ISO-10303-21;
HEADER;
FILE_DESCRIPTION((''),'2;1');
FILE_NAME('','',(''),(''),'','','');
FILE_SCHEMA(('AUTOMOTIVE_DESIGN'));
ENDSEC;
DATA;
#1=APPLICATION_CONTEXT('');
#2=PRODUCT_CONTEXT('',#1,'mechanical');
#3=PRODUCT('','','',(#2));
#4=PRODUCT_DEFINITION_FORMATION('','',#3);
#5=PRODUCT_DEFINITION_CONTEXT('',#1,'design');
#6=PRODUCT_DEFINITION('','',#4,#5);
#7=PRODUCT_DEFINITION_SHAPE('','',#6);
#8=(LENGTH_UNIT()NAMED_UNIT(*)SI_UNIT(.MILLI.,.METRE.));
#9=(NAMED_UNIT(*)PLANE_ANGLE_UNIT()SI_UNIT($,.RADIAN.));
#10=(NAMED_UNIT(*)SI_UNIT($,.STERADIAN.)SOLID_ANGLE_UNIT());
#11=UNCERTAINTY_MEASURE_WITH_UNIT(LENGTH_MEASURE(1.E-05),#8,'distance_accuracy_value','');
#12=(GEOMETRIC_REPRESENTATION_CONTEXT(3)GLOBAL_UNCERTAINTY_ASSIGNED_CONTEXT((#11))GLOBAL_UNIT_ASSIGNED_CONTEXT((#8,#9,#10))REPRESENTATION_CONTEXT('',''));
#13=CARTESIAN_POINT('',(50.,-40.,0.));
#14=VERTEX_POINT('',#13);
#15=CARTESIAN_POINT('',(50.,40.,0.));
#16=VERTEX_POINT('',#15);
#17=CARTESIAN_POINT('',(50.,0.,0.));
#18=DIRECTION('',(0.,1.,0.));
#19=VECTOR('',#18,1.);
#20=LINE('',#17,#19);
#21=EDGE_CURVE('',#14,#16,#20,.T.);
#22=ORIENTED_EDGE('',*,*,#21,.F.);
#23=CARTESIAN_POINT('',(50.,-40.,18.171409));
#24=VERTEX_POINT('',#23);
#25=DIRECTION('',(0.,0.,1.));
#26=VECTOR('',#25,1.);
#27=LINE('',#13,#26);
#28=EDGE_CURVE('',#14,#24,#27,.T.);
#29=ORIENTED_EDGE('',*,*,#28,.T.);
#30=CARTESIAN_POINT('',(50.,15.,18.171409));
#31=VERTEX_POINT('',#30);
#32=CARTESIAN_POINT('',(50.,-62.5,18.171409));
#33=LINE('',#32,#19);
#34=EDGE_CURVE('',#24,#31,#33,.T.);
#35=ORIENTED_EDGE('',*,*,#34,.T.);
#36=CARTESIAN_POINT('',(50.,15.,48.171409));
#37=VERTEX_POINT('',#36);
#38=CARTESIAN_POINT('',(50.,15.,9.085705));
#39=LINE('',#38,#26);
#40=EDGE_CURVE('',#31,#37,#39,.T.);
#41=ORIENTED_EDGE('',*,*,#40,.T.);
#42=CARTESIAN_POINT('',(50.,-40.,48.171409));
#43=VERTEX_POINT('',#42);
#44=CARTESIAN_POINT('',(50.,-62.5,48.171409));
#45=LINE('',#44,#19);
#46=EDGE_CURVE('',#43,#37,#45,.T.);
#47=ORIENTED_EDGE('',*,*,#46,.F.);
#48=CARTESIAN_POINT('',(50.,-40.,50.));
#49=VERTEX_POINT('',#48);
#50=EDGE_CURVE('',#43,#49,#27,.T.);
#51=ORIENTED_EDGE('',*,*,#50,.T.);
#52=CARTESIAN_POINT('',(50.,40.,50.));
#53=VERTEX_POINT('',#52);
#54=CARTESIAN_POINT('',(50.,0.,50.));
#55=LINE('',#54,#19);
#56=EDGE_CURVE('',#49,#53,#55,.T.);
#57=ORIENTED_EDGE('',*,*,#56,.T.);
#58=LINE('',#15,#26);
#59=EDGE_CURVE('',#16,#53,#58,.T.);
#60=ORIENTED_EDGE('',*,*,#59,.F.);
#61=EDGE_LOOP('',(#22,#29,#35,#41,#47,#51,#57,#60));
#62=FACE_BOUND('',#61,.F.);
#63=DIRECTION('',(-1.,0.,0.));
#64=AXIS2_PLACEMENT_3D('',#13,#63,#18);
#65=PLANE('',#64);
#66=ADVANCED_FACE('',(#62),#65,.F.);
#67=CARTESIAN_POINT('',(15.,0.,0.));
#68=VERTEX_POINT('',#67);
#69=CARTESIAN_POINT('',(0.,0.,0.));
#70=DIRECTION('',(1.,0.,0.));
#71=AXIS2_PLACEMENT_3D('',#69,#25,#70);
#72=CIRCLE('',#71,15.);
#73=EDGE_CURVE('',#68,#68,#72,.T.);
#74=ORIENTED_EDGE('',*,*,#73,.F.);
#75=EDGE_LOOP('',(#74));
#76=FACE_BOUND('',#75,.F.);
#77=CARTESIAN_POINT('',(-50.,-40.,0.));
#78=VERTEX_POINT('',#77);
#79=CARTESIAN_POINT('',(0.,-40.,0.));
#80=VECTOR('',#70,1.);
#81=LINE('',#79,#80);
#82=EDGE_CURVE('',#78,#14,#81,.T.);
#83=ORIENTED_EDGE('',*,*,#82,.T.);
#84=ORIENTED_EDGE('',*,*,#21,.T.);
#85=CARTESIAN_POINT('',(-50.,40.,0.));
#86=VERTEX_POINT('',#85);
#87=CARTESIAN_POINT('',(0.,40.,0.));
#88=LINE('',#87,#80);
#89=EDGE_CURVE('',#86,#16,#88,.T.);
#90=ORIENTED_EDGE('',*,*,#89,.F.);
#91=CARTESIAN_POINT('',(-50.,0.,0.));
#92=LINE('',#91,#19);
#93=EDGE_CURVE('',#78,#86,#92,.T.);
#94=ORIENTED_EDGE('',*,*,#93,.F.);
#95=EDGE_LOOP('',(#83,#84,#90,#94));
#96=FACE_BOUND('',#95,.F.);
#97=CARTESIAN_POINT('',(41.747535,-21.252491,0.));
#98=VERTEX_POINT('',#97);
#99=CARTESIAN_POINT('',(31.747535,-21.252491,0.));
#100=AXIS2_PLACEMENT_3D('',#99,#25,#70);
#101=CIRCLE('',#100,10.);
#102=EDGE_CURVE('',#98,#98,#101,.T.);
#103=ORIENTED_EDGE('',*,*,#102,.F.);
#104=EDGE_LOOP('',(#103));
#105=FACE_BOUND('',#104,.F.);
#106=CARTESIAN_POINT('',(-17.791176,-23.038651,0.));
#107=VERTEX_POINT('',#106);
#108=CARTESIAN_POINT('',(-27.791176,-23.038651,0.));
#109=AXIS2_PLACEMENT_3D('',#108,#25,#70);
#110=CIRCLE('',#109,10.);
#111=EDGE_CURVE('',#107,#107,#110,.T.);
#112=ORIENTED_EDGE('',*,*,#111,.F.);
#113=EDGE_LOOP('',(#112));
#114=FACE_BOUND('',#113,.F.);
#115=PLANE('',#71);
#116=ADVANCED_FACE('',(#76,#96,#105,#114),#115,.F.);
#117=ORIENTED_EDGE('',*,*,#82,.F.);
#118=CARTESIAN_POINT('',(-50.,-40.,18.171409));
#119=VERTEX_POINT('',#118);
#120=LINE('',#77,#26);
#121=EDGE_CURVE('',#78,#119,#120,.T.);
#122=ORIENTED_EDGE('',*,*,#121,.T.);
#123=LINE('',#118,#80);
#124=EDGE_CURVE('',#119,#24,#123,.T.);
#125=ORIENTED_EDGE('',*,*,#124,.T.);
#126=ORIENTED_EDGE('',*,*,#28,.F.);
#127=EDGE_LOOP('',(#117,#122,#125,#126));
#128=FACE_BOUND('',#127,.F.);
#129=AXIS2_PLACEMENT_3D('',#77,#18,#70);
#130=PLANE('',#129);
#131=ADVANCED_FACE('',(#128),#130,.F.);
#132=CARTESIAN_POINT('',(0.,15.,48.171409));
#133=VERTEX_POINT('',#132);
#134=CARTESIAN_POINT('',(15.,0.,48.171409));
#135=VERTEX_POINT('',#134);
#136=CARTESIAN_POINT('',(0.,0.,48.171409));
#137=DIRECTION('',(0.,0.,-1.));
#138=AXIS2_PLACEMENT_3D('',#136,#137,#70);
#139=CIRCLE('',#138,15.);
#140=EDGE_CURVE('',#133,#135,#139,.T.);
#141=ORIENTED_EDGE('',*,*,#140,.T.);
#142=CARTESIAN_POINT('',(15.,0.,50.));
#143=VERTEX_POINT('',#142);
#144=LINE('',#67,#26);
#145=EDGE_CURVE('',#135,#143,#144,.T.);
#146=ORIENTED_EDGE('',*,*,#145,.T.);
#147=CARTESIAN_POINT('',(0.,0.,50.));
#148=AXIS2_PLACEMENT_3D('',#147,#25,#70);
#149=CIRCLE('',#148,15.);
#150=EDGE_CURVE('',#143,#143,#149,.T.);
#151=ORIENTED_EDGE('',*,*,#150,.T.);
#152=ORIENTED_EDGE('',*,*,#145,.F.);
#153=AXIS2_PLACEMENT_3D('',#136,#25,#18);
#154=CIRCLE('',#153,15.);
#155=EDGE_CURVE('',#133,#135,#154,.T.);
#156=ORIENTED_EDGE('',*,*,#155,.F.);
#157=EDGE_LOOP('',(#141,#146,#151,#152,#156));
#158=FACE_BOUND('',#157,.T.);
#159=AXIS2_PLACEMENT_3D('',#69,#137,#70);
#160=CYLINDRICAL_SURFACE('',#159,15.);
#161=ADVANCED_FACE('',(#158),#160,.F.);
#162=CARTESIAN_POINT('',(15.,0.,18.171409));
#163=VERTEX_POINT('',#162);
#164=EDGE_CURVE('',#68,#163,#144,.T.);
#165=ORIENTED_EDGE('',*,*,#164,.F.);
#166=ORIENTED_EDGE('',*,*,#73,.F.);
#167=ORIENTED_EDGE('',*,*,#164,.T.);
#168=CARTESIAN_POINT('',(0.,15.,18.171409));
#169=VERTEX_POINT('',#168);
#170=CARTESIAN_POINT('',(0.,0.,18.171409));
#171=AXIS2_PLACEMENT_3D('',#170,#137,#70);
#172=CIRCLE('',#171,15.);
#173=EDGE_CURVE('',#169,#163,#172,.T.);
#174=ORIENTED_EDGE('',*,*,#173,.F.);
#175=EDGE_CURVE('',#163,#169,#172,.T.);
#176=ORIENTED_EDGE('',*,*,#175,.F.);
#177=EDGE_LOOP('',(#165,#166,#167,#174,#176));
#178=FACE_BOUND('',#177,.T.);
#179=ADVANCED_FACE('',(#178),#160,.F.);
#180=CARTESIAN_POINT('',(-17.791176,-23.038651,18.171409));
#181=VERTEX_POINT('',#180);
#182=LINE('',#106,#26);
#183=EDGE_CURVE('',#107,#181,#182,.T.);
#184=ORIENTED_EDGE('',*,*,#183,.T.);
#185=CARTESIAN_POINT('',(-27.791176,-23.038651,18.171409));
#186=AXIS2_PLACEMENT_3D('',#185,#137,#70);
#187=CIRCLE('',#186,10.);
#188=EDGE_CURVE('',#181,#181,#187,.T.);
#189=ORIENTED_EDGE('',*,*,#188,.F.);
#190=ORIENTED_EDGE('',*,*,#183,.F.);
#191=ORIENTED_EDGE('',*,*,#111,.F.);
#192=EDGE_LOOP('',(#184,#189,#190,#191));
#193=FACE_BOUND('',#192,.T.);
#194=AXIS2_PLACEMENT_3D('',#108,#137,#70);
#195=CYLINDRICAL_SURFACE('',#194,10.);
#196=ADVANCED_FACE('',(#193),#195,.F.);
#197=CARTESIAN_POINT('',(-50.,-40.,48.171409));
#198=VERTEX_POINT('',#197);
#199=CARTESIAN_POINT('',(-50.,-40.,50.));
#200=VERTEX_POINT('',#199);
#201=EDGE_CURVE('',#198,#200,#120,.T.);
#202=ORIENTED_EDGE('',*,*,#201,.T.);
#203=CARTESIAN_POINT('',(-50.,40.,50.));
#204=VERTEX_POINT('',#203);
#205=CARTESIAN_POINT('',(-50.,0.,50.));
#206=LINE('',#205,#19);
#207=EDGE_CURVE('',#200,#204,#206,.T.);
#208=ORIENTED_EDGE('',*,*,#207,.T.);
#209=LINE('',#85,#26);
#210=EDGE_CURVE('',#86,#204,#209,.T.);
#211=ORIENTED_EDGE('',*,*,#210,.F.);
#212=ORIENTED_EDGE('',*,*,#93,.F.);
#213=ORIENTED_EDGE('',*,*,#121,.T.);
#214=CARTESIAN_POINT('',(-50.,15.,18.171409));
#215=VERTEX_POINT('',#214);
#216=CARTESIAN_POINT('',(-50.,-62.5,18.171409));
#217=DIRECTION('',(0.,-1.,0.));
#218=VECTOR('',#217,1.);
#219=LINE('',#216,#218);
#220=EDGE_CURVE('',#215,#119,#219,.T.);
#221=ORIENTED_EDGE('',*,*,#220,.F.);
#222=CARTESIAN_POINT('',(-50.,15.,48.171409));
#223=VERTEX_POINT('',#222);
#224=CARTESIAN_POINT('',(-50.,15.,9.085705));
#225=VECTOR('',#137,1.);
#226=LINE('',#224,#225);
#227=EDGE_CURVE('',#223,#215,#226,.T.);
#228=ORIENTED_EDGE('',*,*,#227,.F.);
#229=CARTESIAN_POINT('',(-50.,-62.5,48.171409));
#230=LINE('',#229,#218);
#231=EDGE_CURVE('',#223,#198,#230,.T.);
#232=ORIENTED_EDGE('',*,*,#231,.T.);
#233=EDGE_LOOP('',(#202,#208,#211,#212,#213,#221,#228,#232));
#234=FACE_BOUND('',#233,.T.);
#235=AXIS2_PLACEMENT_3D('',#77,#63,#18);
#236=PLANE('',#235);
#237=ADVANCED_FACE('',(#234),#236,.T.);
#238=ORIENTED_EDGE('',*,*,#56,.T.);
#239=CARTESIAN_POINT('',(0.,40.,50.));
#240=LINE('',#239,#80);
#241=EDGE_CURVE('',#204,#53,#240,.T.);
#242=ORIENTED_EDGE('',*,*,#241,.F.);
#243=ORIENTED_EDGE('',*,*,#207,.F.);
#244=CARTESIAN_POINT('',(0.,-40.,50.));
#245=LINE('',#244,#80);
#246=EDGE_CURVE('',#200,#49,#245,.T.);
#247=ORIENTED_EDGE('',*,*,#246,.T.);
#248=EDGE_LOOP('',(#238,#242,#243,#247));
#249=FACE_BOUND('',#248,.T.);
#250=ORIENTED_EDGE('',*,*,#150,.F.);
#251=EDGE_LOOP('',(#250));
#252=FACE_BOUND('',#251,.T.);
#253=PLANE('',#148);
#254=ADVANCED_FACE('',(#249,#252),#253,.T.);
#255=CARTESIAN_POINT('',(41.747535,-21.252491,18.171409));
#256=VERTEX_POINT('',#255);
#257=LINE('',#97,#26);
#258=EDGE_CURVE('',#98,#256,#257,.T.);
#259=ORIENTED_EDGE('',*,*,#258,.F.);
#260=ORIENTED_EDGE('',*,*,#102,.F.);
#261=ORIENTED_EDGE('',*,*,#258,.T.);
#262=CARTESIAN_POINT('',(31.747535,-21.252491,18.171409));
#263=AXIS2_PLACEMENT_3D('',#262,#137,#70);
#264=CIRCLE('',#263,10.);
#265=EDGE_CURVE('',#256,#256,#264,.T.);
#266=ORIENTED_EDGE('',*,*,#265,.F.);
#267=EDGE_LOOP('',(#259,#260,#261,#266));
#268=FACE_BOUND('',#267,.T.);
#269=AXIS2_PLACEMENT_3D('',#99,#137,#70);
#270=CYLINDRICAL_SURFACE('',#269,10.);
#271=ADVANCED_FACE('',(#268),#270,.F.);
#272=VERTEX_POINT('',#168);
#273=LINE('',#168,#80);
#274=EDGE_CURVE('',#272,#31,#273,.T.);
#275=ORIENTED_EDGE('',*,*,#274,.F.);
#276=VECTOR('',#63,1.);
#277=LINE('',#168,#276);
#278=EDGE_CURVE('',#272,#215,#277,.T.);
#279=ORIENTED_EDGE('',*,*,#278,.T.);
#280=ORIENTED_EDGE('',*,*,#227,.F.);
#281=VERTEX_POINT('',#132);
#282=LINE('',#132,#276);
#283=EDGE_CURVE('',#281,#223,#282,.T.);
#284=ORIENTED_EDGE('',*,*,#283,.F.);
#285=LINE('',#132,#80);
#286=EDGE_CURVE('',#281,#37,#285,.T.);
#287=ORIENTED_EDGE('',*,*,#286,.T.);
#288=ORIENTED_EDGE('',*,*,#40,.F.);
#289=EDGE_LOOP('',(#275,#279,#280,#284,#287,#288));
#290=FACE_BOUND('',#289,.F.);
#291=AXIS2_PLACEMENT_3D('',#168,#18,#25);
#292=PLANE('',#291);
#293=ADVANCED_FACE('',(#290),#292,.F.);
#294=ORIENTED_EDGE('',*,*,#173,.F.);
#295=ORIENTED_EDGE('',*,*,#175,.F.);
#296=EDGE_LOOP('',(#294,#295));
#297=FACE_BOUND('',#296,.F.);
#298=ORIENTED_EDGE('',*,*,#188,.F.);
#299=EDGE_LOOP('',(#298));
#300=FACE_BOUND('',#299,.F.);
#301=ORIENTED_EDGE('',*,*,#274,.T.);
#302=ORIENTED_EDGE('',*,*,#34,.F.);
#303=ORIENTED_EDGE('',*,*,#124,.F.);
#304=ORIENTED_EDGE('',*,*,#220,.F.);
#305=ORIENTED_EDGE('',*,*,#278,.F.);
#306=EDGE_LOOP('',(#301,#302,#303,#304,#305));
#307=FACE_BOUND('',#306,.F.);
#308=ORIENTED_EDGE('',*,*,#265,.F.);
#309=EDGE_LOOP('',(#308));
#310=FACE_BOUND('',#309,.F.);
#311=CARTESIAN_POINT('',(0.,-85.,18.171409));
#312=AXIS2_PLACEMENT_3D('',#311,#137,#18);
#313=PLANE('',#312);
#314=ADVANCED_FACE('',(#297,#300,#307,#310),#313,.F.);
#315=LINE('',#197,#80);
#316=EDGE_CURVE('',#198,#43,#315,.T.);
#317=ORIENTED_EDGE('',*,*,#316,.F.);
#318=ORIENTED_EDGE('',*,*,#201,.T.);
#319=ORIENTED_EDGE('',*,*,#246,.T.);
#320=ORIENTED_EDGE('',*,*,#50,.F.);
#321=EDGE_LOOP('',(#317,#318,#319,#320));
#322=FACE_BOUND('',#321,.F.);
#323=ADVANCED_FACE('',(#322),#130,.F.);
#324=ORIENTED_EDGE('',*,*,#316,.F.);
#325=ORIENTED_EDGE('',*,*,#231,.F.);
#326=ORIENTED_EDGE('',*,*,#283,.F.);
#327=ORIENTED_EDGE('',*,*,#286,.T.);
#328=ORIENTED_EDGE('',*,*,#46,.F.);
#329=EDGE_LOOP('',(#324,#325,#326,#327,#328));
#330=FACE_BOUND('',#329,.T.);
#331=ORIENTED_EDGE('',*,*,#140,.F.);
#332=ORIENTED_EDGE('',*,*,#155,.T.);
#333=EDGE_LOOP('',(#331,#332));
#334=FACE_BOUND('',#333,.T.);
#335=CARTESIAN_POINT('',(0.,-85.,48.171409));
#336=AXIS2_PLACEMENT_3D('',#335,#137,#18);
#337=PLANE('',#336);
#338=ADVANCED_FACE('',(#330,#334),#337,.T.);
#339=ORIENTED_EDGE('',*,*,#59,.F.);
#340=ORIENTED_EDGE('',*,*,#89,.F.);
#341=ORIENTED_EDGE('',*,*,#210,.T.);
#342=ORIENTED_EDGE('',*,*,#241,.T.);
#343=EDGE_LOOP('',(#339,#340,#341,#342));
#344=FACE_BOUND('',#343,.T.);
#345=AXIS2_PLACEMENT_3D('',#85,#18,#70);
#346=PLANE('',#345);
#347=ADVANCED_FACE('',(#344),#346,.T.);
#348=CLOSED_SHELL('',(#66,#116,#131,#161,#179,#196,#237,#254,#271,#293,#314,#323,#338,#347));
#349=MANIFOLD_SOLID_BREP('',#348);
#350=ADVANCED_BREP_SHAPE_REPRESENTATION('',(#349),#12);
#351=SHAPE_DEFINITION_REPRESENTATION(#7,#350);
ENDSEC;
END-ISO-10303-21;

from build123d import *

# Parameters (mm, degrees)
F0_W          = 100
F0_H          = 80
F0_R          = 15
F1_DEPTH      = 50
F2_W          = 100
F2_H          = 30
F3_DEPTH      = 50.001
F3_DEPTH_BACK = 105.8
F4_R          = 10
F5_DEPTH      = 23.4


with BuildPart() as f1:
    # F0 (on Top) → F1 (new body)
    with BuildSketch(Plane.XY):
        Rectangle(F0_W, F0_H)
        Circle(F0_R, mode=Mode.SUBTRACT)
    extrude(amount=F1_DEPTH)

    # F2 (on Right) → F3 (cut, two sides)
    with BuildSketch(Plane.YZ) as f3_sk:
        with Locations((-35, 33.171409)):
            Rectangle(F2_W, F2_H)
    extrude(amount=F3_DEPTH, mode=Mode.SUBTRACT)
    extrude(f3_sk.sketch, amount=-F3_DEPTH_BACK, mode=Mode.SUBTRACT)

    # F4 (on Top) → F5 (cut)
    with BuildSketch(Plane.XY):
        with Locations((-27.791176, -23.038651)):
            Circle(F4_R)
        with Locations((31.747535, -21.252491)):
            Circle(F4_R)
    extrude(amount=F5_DEPTH, mode=Mode.SUBTRACT)


solid = f1.part
